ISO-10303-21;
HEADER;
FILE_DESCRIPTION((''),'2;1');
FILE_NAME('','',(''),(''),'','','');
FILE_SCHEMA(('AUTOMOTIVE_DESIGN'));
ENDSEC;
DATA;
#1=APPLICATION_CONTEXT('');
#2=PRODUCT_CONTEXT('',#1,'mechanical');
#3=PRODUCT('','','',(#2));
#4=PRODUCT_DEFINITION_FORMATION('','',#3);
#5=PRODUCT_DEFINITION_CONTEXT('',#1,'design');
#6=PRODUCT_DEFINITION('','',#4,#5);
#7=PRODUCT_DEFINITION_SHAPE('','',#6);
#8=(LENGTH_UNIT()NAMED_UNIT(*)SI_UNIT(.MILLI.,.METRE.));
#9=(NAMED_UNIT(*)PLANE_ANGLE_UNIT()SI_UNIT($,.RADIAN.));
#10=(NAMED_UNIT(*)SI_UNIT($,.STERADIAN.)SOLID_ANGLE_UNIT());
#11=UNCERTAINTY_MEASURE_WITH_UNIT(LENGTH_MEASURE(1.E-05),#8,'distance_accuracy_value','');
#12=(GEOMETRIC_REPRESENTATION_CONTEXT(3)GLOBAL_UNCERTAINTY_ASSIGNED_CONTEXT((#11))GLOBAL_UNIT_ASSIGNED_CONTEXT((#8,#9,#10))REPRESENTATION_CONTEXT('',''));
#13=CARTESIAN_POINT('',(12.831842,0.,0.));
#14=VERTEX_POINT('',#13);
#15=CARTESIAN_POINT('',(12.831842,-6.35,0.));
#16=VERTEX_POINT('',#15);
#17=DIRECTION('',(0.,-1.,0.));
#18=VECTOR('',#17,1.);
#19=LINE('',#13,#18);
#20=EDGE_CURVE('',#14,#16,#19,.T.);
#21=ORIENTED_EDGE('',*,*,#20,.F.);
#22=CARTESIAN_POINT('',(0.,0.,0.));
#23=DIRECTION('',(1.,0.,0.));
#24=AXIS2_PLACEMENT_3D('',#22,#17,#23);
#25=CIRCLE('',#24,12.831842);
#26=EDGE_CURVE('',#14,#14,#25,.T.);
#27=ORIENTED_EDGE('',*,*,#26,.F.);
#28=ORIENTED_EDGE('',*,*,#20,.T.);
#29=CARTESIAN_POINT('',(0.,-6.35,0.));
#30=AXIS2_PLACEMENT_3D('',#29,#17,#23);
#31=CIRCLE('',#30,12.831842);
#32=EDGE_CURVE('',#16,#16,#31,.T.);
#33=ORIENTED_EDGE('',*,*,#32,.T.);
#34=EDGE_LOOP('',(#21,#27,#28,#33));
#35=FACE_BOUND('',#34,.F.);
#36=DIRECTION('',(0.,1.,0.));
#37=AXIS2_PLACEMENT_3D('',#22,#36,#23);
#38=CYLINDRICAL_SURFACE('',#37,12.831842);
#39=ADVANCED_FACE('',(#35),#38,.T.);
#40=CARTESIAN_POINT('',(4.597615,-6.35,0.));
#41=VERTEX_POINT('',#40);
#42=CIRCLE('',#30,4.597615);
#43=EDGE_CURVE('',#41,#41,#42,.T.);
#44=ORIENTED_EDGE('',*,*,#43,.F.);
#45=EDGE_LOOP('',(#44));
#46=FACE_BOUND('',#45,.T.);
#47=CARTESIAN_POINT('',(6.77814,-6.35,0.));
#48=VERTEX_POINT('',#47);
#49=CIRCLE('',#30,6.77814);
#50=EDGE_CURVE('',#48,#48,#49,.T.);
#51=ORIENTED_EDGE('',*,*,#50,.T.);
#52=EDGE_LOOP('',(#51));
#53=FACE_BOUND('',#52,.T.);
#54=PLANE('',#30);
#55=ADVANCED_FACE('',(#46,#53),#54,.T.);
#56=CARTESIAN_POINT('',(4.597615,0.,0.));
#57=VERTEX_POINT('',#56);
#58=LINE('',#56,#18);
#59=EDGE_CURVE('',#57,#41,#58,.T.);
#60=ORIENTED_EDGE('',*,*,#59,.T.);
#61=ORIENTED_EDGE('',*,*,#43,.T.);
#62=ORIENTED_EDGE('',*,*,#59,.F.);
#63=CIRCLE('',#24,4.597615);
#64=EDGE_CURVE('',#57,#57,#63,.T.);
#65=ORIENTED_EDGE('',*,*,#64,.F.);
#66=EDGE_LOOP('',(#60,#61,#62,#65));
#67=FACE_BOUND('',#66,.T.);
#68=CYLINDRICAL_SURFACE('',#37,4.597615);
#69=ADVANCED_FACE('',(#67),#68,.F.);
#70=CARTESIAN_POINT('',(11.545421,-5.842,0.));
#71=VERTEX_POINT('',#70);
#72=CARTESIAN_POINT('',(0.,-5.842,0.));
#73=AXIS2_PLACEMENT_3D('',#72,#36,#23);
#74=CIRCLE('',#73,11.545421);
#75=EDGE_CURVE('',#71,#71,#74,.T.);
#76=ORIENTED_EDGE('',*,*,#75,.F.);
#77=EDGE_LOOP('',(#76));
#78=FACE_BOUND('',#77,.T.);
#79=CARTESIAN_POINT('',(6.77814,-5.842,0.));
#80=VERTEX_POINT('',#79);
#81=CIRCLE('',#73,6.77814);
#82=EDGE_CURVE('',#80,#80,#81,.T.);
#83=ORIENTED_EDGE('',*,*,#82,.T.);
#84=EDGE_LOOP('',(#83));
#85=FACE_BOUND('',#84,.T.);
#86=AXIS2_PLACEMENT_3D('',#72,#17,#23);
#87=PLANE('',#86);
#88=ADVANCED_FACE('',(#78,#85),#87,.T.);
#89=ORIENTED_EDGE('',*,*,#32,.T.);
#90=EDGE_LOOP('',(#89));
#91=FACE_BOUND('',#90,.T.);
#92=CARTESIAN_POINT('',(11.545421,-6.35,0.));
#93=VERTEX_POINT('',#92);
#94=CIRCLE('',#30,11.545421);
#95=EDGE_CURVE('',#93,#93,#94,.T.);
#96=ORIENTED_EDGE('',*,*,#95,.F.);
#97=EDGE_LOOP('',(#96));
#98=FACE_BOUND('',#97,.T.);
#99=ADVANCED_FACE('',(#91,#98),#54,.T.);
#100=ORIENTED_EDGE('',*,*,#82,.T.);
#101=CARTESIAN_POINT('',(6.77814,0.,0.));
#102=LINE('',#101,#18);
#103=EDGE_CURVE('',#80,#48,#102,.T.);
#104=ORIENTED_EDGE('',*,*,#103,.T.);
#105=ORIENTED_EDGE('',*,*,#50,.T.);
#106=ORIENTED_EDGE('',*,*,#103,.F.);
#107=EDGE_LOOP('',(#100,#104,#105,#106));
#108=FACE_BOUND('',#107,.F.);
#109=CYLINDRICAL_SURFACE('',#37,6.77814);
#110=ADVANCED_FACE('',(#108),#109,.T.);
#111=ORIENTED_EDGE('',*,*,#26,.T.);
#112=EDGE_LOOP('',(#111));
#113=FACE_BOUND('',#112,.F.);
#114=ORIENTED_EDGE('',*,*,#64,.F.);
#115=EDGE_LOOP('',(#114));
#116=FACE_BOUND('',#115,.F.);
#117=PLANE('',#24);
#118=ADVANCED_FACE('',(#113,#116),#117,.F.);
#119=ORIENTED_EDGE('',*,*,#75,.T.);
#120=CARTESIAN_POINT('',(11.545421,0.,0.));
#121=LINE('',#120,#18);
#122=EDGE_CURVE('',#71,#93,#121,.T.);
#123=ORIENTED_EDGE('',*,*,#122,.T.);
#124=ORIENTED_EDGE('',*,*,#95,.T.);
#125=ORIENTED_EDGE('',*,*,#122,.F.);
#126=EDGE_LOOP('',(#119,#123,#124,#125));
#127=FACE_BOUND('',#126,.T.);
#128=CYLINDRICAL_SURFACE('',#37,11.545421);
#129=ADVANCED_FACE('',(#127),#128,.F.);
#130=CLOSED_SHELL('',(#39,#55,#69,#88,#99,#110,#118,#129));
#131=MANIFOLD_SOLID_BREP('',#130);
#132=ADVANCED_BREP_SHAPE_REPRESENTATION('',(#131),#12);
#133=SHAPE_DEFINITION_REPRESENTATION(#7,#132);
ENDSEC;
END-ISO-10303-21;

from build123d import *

# Parameters (mm, degrees)
F0_R     = 12.831842
F0_R_2   = 11.545421
F1_DEPTH = 6.35
F2_R     = 11.571254
F2_R_2   = 6.76949
F3_DEPTH = 5.842
F4_R     = 6.77814
F4_R_2   = 4.597615
F5_DEPTH = 6.35


with BuildPart() as f1:
    # F0 (on Front) → F1 (new body)
    with BuildSketch(Plane.XZ):
        Circle(F0_R)
        Circle(F0_R_2, mode=Mode.SUBTRACT)
    extrude(amount=F1_DEPTH)

    # F2 (on Front) → F3 (join)
    with BuildSketch(Plane.XZ):
        Circle(F2_R)
        Circle(F2_R_2, mode=Mode.SUBTRACT)
    extrude(amount=F3_DEPTH)

    # F4 (on Front) → F5 (join)
    with BuildSketch(Plane.XZ):
        Circle(F4_R)
        Circle(F4_R_2, mode=Mode.SUBTRACT)
    extrude(amount=F5_DEPTH)


solid = f1.part
